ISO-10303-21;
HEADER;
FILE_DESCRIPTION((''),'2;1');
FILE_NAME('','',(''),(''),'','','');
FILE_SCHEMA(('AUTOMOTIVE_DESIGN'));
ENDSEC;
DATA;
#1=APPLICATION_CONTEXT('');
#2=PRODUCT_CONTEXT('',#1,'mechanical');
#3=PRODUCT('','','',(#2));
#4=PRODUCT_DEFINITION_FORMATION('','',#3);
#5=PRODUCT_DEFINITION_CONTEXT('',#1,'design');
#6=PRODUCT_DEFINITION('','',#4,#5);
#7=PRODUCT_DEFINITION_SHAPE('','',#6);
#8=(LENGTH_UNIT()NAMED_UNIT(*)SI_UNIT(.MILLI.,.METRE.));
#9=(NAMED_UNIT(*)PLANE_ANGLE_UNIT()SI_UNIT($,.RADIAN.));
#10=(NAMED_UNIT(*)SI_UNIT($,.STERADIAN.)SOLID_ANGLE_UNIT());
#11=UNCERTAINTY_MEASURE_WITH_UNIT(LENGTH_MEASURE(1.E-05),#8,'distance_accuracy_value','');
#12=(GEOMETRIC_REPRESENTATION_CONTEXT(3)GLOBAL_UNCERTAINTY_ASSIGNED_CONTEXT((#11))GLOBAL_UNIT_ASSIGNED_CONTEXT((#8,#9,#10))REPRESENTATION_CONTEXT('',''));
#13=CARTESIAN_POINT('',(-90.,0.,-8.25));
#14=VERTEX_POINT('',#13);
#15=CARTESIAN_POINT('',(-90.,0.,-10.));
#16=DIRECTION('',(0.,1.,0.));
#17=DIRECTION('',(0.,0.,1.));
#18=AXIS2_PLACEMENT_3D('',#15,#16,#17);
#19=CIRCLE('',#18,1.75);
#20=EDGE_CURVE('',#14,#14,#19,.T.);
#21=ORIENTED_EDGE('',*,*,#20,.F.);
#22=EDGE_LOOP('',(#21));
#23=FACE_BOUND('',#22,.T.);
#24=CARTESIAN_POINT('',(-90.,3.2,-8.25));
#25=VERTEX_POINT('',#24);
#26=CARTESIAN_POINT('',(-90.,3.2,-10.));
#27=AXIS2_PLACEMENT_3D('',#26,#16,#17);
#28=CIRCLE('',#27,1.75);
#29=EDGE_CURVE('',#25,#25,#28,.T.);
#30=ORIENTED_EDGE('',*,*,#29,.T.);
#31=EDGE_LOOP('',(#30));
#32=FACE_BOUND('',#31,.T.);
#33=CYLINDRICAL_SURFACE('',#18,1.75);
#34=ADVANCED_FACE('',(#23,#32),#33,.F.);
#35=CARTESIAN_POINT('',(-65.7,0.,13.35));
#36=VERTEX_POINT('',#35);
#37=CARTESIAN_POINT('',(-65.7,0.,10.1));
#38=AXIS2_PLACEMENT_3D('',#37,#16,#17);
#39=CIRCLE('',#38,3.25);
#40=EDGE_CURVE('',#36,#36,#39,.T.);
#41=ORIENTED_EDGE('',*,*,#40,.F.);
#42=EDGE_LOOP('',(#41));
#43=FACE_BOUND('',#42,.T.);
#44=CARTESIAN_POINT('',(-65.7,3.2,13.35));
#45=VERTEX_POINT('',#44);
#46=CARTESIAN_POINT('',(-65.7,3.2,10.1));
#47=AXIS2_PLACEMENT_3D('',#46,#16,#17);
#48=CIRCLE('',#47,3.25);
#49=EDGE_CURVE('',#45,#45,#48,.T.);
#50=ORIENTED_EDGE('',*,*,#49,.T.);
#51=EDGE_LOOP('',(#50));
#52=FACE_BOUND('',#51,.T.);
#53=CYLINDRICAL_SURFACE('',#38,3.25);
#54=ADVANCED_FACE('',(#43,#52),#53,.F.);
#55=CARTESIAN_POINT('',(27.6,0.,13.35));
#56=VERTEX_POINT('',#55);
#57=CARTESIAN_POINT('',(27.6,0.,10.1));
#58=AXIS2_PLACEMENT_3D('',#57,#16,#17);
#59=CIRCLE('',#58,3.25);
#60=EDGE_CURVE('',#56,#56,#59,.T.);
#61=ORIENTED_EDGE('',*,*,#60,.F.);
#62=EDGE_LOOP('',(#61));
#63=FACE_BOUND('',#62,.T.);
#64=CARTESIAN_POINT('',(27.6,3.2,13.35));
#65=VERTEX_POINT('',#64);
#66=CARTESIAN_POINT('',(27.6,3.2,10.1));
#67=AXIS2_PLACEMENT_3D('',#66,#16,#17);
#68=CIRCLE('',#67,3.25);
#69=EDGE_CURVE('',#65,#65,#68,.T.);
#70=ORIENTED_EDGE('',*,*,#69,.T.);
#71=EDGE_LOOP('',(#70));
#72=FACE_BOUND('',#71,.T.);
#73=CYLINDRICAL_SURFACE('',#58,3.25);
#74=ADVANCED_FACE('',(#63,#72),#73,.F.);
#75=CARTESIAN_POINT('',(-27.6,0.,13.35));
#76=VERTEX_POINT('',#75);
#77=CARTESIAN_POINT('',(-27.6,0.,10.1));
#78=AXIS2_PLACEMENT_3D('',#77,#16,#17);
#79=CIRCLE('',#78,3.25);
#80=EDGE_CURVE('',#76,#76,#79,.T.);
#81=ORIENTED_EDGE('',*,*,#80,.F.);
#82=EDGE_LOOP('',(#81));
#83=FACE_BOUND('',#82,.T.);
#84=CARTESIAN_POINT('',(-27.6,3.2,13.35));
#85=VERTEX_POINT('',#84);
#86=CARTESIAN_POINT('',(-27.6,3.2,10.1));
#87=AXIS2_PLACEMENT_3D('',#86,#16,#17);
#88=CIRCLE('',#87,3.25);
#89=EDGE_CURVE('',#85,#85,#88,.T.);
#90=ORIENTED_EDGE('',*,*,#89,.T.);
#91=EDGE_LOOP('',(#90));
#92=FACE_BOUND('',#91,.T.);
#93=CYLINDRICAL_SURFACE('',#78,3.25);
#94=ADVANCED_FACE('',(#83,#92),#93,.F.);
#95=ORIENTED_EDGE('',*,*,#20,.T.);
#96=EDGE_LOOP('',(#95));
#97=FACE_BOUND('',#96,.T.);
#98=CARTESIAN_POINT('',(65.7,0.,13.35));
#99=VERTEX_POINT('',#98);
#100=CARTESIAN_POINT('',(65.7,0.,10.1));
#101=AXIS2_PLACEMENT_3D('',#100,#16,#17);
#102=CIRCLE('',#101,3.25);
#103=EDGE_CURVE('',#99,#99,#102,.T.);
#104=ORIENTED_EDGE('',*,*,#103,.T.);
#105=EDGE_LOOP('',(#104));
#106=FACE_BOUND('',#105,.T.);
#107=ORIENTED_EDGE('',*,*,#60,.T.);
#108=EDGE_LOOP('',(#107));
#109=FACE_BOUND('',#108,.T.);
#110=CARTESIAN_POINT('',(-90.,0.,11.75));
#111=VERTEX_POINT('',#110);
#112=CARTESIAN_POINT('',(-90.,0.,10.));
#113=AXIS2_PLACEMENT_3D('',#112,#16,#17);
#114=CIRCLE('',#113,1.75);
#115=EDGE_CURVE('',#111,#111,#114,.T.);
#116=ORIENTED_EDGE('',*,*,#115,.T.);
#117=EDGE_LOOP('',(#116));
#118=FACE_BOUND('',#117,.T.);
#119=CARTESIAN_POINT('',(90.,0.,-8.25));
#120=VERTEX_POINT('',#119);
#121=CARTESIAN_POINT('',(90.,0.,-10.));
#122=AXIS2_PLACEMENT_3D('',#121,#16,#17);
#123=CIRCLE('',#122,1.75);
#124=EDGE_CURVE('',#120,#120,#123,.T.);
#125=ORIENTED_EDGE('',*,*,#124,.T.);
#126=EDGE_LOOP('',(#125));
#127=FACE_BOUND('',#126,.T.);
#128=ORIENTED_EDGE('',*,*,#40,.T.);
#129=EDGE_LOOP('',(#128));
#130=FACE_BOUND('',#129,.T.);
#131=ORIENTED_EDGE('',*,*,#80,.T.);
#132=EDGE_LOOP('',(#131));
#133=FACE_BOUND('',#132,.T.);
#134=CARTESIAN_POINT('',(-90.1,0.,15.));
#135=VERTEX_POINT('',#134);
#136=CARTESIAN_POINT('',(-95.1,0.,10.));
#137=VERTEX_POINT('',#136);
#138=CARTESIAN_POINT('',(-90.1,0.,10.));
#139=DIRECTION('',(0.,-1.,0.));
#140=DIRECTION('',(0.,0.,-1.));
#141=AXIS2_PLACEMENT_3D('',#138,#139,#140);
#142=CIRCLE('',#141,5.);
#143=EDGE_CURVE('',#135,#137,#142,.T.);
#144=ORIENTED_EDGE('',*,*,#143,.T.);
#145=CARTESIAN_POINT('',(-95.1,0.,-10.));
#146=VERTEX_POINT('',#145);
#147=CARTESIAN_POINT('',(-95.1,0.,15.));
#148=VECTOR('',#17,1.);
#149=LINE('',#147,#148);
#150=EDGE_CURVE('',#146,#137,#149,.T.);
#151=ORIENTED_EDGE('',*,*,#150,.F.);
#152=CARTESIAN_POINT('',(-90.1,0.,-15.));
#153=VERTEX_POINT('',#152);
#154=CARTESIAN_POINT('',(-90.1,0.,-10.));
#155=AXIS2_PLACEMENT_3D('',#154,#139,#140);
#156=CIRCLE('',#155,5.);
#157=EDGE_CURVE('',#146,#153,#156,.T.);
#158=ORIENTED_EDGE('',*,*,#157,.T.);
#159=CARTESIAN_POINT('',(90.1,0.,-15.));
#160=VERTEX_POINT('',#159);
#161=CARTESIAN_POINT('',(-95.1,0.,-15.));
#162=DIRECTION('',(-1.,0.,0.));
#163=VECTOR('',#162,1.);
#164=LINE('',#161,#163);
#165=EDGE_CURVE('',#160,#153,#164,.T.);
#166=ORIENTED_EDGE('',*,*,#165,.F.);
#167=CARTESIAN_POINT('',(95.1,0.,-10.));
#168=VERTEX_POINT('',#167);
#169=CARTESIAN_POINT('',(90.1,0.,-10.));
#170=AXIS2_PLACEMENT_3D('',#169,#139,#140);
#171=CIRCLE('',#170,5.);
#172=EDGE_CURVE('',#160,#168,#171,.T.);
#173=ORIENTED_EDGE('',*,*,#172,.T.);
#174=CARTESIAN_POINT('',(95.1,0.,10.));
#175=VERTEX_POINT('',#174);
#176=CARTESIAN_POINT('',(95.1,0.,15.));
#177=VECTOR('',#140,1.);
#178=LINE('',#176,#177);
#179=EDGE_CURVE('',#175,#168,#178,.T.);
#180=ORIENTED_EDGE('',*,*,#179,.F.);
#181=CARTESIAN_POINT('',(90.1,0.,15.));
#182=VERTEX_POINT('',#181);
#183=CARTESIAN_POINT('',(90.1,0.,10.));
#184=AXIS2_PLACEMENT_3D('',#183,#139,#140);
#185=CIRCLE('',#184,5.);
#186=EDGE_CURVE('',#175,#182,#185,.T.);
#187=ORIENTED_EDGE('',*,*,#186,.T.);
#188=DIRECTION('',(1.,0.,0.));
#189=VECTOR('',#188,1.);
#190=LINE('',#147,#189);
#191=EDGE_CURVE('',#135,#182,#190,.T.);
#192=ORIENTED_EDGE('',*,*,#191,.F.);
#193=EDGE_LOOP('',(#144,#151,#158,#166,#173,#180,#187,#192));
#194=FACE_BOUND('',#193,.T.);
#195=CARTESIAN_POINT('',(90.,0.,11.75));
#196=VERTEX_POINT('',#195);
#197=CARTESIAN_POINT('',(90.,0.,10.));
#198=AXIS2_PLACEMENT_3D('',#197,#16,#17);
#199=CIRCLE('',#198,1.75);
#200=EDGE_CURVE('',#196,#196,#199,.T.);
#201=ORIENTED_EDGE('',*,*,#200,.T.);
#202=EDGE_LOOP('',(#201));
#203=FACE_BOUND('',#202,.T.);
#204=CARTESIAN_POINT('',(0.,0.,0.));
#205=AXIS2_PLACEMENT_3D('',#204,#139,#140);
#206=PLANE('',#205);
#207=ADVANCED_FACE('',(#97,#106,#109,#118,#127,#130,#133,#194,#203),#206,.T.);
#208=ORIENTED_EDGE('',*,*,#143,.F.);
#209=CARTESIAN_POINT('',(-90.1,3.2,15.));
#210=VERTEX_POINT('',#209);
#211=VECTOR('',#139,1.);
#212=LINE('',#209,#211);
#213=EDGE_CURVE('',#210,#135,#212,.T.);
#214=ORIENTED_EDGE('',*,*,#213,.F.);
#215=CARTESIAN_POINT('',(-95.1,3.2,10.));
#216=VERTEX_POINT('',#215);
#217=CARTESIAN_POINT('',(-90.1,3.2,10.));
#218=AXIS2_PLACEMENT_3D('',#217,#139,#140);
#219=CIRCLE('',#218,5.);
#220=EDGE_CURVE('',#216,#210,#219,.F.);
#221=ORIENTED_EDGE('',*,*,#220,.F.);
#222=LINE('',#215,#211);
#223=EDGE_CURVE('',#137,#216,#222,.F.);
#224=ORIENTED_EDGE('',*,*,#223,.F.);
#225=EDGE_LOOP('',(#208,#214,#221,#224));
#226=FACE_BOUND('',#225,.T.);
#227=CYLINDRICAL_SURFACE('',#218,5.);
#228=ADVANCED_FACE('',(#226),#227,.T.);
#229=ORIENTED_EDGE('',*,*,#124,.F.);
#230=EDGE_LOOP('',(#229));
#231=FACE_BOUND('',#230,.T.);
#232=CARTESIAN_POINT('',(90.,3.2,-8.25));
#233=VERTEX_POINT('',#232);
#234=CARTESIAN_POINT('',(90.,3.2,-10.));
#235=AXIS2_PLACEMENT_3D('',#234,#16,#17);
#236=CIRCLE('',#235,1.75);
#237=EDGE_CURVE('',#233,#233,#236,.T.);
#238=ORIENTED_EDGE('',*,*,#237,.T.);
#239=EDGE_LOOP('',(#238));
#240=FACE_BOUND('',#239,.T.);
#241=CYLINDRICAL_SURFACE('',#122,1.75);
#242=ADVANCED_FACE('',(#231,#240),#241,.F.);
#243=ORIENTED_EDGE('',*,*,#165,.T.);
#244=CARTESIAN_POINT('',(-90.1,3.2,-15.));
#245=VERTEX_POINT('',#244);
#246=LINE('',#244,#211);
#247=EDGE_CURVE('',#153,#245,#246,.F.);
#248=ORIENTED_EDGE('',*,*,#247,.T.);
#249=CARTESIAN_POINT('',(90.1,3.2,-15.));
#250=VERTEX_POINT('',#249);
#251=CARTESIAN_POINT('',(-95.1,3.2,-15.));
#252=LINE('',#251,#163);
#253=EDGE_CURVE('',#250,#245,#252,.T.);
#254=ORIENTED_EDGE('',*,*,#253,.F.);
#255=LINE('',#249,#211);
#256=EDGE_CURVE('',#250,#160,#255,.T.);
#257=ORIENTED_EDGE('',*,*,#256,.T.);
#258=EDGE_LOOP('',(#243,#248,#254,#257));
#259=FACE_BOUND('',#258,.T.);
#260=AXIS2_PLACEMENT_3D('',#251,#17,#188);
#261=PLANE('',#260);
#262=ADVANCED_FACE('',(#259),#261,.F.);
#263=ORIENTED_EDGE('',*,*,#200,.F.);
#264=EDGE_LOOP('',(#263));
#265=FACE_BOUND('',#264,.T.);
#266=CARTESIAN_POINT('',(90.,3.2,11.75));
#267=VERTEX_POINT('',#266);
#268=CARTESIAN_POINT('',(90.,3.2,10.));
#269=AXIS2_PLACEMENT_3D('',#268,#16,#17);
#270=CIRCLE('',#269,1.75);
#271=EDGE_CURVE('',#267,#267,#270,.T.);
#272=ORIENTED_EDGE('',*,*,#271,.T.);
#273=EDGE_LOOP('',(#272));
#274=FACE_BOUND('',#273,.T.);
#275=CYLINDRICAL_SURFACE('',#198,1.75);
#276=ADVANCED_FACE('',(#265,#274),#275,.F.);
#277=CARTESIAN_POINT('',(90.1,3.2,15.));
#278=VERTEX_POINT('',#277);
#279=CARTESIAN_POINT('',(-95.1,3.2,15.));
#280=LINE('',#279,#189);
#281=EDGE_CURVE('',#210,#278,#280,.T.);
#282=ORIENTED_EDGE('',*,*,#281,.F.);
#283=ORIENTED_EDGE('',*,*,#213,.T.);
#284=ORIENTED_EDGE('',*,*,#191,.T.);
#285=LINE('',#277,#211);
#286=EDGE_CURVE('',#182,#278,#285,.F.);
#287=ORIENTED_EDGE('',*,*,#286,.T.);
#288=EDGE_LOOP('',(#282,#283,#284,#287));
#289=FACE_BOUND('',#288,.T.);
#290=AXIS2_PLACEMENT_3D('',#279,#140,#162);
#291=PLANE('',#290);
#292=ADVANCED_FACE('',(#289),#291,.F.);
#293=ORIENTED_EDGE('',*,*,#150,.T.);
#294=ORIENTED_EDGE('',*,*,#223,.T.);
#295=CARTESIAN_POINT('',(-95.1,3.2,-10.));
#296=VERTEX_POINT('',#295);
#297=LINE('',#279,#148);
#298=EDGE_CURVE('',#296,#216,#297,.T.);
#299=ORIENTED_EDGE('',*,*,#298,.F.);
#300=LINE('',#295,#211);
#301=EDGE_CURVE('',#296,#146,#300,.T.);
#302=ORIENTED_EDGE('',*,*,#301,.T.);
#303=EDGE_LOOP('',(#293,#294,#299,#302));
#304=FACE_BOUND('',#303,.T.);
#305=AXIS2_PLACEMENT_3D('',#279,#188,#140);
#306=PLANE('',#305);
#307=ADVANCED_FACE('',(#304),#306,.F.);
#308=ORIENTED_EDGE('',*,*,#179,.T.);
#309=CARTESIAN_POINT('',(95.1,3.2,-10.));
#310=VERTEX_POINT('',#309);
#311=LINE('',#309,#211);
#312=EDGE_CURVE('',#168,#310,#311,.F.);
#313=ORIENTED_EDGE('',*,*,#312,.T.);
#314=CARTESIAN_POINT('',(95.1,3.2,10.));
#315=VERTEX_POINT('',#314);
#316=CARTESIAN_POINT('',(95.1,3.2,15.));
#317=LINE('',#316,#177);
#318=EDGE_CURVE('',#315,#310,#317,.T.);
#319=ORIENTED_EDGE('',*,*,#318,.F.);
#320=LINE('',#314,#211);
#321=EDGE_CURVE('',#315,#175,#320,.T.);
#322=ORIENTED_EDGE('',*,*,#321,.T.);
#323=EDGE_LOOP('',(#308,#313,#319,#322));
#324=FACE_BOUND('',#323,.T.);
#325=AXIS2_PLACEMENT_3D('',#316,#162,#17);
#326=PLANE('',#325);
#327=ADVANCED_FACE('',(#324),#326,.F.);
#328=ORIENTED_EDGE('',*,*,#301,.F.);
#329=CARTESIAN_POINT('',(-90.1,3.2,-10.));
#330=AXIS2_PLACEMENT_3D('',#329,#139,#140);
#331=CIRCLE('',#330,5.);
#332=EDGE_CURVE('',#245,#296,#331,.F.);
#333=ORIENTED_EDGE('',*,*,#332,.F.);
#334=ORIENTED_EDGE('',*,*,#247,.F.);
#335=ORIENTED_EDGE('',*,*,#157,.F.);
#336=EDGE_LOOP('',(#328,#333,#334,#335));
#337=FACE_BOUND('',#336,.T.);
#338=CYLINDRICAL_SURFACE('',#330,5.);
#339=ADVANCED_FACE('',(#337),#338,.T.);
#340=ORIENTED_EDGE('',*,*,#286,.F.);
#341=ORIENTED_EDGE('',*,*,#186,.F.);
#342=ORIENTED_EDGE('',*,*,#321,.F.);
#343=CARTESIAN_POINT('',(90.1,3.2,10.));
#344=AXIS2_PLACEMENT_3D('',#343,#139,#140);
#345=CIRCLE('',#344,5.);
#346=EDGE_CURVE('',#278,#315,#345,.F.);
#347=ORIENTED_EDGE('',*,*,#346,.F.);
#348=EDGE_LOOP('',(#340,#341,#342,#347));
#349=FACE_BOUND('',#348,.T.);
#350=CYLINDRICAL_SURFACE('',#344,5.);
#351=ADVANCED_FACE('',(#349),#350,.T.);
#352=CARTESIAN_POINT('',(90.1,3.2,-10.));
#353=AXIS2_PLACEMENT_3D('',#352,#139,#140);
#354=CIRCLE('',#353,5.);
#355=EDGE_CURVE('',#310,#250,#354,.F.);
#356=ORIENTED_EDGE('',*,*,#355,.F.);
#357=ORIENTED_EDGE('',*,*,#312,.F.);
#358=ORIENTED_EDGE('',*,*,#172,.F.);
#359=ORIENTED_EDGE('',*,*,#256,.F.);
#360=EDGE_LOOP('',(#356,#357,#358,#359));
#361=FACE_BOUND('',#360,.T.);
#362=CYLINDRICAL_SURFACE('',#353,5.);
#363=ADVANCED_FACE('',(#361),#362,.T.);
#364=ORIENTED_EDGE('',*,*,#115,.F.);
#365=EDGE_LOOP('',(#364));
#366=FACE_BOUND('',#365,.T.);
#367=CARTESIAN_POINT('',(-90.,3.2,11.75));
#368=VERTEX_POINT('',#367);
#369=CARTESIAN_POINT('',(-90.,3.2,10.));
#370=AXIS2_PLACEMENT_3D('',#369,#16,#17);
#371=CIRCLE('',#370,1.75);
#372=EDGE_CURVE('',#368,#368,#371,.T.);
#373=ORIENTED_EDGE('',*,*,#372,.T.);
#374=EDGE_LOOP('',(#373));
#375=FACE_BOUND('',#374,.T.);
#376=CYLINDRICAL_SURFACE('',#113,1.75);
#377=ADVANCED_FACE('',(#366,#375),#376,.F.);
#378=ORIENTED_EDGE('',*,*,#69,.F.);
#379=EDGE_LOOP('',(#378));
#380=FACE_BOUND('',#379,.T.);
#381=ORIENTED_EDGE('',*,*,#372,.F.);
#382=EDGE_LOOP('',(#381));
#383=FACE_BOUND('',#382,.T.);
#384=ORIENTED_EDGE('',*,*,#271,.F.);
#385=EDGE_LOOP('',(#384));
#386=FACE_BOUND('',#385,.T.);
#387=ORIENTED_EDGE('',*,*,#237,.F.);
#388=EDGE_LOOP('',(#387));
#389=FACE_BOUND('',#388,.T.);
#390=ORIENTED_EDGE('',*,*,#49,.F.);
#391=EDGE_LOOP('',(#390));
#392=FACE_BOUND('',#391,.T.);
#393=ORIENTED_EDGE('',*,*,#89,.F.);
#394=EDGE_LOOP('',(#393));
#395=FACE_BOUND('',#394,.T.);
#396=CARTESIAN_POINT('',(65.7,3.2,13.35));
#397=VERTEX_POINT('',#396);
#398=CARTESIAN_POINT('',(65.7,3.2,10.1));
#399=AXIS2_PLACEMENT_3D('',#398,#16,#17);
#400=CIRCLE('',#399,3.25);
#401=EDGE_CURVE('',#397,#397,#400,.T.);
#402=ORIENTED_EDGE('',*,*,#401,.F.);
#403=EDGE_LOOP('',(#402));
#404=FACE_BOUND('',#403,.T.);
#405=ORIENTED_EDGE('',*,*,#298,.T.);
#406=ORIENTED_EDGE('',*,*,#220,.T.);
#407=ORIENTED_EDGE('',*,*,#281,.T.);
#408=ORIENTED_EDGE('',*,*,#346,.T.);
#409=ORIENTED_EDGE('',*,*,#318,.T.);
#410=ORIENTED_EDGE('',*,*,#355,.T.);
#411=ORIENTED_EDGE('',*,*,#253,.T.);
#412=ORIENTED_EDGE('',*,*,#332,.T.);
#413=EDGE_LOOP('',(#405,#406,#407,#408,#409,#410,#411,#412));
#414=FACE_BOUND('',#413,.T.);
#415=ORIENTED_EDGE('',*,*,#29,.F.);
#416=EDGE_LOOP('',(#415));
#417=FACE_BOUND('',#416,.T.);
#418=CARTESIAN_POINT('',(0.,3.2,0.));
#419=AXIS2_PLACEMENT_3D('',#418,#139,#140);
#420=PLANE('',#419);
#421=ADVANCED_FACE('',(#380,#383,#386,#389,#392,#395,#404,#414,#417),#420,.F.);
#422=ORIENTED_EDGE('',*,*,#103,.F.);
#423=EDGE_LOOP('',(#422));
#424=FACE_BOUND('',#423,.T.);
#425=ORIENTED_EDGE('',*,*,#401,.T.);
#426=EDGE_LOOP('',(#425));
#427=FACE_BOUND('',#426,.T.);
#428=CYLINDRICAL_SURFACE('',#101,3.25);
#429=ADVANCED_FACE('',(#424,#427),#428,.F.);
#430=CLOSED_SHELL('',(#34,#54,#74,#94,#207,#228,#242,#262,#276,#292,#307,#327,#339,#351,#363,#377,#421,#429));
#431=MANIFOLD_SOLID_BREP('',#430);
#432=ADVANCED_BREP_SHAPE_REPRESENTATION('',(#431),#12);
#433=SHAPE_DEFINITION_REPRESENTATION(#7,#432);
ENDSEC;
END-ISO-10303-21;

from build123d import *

# Parameters (mm, degrees)
SKETCH1_W           = 190.2
SKETCH1_H           = 30
BOSS_EXTRUDE1_DEPTH = 3.2
SKETCH2_R           = 1.75
CUT_EXTRUDE1_DEPTH  = 97.328863795
SKETCH3_R           = 3.25
CUT_EXTRUDE2_DEPTH  = 97.328863795
FILLET1_R           = 5


with BuildPart() as part:
    # Sketch1 → Boss-Extrude1 (new body)
    with BuildSketch(Plane(origin=(0, 0, 0), x_dir=(1, 0, 0), z_dir=(0, 1, 0))):
        Rectangle(SKETCH1_W, SKETCH1_H)
    extrude(amount=BOSS_EXTRUDE1_DEPTH)

    # Sketch2 → Cut-Extrude1 (cut, through all)
    with BuildSketch(Plane(origin=(0, 3.2, 0), x_dir=(1, 0, 0), z_dir=(0, 1, 0))):
        with Locations(Location((-90, 10, 0), (0, 0, 270))):
            Circle(SKETCH2_R)
        with Locations(Location((-90, -10, 0), (0, 0, 270))):
            Circle(SKETCH2_R)
        with Locations(Location((90, 10, 0), (0, 0, 270))):
            Circle(SKETCH2_R)
        with Locations(Location((90, -10, 0), (0, 0, 270))):
            Circle(SKETCH2_R)
    extrude(amount=-CUT_EXTRUDE1_DEPTH, mode=Mode.SUBTRACT)

    # Sketch3 → Cut-Extrude2 (cut, through all)
    with BuildSketch(Plane(origin=(0, 3.2, 0), x_dir=(1, 0, 0), z_dir=(0, 1, 0))):
        with Locations(Location((65.7, -10.1, 0), (0, 0, 270))):
            Circle(SKETCH3_R)
        with Locations(Location((27.6, -10.1, 0), (0, 0, 270))):
            Circle(SKETCH3_R)
        with Locations(Location((-27.6, -10.1, 0), (0, 0, 270))):
            Circle(SKETCH3_R)
        with Locations(Location((-65.7, -10.1, 0), (0, 0, 270))):
            Circle(SKETCH3_R)
    extrude(amount=-CUT_EXTRUDE2_DEPTH, mode=Mode.SUBTRACT)

    # Fillet1
    fillet1_edges = [part.edges().sort_by_distance(p)[0] for p in [
        (95.1, 1.6, 15),
        (-95.1, 1.6, 15),
        (-95.1, 1.6, -15),
        (95.1, 1.6, -15),
    ]]
    fillet(fillet1_edges, radius=FILLET1_R)


solid = part.part
